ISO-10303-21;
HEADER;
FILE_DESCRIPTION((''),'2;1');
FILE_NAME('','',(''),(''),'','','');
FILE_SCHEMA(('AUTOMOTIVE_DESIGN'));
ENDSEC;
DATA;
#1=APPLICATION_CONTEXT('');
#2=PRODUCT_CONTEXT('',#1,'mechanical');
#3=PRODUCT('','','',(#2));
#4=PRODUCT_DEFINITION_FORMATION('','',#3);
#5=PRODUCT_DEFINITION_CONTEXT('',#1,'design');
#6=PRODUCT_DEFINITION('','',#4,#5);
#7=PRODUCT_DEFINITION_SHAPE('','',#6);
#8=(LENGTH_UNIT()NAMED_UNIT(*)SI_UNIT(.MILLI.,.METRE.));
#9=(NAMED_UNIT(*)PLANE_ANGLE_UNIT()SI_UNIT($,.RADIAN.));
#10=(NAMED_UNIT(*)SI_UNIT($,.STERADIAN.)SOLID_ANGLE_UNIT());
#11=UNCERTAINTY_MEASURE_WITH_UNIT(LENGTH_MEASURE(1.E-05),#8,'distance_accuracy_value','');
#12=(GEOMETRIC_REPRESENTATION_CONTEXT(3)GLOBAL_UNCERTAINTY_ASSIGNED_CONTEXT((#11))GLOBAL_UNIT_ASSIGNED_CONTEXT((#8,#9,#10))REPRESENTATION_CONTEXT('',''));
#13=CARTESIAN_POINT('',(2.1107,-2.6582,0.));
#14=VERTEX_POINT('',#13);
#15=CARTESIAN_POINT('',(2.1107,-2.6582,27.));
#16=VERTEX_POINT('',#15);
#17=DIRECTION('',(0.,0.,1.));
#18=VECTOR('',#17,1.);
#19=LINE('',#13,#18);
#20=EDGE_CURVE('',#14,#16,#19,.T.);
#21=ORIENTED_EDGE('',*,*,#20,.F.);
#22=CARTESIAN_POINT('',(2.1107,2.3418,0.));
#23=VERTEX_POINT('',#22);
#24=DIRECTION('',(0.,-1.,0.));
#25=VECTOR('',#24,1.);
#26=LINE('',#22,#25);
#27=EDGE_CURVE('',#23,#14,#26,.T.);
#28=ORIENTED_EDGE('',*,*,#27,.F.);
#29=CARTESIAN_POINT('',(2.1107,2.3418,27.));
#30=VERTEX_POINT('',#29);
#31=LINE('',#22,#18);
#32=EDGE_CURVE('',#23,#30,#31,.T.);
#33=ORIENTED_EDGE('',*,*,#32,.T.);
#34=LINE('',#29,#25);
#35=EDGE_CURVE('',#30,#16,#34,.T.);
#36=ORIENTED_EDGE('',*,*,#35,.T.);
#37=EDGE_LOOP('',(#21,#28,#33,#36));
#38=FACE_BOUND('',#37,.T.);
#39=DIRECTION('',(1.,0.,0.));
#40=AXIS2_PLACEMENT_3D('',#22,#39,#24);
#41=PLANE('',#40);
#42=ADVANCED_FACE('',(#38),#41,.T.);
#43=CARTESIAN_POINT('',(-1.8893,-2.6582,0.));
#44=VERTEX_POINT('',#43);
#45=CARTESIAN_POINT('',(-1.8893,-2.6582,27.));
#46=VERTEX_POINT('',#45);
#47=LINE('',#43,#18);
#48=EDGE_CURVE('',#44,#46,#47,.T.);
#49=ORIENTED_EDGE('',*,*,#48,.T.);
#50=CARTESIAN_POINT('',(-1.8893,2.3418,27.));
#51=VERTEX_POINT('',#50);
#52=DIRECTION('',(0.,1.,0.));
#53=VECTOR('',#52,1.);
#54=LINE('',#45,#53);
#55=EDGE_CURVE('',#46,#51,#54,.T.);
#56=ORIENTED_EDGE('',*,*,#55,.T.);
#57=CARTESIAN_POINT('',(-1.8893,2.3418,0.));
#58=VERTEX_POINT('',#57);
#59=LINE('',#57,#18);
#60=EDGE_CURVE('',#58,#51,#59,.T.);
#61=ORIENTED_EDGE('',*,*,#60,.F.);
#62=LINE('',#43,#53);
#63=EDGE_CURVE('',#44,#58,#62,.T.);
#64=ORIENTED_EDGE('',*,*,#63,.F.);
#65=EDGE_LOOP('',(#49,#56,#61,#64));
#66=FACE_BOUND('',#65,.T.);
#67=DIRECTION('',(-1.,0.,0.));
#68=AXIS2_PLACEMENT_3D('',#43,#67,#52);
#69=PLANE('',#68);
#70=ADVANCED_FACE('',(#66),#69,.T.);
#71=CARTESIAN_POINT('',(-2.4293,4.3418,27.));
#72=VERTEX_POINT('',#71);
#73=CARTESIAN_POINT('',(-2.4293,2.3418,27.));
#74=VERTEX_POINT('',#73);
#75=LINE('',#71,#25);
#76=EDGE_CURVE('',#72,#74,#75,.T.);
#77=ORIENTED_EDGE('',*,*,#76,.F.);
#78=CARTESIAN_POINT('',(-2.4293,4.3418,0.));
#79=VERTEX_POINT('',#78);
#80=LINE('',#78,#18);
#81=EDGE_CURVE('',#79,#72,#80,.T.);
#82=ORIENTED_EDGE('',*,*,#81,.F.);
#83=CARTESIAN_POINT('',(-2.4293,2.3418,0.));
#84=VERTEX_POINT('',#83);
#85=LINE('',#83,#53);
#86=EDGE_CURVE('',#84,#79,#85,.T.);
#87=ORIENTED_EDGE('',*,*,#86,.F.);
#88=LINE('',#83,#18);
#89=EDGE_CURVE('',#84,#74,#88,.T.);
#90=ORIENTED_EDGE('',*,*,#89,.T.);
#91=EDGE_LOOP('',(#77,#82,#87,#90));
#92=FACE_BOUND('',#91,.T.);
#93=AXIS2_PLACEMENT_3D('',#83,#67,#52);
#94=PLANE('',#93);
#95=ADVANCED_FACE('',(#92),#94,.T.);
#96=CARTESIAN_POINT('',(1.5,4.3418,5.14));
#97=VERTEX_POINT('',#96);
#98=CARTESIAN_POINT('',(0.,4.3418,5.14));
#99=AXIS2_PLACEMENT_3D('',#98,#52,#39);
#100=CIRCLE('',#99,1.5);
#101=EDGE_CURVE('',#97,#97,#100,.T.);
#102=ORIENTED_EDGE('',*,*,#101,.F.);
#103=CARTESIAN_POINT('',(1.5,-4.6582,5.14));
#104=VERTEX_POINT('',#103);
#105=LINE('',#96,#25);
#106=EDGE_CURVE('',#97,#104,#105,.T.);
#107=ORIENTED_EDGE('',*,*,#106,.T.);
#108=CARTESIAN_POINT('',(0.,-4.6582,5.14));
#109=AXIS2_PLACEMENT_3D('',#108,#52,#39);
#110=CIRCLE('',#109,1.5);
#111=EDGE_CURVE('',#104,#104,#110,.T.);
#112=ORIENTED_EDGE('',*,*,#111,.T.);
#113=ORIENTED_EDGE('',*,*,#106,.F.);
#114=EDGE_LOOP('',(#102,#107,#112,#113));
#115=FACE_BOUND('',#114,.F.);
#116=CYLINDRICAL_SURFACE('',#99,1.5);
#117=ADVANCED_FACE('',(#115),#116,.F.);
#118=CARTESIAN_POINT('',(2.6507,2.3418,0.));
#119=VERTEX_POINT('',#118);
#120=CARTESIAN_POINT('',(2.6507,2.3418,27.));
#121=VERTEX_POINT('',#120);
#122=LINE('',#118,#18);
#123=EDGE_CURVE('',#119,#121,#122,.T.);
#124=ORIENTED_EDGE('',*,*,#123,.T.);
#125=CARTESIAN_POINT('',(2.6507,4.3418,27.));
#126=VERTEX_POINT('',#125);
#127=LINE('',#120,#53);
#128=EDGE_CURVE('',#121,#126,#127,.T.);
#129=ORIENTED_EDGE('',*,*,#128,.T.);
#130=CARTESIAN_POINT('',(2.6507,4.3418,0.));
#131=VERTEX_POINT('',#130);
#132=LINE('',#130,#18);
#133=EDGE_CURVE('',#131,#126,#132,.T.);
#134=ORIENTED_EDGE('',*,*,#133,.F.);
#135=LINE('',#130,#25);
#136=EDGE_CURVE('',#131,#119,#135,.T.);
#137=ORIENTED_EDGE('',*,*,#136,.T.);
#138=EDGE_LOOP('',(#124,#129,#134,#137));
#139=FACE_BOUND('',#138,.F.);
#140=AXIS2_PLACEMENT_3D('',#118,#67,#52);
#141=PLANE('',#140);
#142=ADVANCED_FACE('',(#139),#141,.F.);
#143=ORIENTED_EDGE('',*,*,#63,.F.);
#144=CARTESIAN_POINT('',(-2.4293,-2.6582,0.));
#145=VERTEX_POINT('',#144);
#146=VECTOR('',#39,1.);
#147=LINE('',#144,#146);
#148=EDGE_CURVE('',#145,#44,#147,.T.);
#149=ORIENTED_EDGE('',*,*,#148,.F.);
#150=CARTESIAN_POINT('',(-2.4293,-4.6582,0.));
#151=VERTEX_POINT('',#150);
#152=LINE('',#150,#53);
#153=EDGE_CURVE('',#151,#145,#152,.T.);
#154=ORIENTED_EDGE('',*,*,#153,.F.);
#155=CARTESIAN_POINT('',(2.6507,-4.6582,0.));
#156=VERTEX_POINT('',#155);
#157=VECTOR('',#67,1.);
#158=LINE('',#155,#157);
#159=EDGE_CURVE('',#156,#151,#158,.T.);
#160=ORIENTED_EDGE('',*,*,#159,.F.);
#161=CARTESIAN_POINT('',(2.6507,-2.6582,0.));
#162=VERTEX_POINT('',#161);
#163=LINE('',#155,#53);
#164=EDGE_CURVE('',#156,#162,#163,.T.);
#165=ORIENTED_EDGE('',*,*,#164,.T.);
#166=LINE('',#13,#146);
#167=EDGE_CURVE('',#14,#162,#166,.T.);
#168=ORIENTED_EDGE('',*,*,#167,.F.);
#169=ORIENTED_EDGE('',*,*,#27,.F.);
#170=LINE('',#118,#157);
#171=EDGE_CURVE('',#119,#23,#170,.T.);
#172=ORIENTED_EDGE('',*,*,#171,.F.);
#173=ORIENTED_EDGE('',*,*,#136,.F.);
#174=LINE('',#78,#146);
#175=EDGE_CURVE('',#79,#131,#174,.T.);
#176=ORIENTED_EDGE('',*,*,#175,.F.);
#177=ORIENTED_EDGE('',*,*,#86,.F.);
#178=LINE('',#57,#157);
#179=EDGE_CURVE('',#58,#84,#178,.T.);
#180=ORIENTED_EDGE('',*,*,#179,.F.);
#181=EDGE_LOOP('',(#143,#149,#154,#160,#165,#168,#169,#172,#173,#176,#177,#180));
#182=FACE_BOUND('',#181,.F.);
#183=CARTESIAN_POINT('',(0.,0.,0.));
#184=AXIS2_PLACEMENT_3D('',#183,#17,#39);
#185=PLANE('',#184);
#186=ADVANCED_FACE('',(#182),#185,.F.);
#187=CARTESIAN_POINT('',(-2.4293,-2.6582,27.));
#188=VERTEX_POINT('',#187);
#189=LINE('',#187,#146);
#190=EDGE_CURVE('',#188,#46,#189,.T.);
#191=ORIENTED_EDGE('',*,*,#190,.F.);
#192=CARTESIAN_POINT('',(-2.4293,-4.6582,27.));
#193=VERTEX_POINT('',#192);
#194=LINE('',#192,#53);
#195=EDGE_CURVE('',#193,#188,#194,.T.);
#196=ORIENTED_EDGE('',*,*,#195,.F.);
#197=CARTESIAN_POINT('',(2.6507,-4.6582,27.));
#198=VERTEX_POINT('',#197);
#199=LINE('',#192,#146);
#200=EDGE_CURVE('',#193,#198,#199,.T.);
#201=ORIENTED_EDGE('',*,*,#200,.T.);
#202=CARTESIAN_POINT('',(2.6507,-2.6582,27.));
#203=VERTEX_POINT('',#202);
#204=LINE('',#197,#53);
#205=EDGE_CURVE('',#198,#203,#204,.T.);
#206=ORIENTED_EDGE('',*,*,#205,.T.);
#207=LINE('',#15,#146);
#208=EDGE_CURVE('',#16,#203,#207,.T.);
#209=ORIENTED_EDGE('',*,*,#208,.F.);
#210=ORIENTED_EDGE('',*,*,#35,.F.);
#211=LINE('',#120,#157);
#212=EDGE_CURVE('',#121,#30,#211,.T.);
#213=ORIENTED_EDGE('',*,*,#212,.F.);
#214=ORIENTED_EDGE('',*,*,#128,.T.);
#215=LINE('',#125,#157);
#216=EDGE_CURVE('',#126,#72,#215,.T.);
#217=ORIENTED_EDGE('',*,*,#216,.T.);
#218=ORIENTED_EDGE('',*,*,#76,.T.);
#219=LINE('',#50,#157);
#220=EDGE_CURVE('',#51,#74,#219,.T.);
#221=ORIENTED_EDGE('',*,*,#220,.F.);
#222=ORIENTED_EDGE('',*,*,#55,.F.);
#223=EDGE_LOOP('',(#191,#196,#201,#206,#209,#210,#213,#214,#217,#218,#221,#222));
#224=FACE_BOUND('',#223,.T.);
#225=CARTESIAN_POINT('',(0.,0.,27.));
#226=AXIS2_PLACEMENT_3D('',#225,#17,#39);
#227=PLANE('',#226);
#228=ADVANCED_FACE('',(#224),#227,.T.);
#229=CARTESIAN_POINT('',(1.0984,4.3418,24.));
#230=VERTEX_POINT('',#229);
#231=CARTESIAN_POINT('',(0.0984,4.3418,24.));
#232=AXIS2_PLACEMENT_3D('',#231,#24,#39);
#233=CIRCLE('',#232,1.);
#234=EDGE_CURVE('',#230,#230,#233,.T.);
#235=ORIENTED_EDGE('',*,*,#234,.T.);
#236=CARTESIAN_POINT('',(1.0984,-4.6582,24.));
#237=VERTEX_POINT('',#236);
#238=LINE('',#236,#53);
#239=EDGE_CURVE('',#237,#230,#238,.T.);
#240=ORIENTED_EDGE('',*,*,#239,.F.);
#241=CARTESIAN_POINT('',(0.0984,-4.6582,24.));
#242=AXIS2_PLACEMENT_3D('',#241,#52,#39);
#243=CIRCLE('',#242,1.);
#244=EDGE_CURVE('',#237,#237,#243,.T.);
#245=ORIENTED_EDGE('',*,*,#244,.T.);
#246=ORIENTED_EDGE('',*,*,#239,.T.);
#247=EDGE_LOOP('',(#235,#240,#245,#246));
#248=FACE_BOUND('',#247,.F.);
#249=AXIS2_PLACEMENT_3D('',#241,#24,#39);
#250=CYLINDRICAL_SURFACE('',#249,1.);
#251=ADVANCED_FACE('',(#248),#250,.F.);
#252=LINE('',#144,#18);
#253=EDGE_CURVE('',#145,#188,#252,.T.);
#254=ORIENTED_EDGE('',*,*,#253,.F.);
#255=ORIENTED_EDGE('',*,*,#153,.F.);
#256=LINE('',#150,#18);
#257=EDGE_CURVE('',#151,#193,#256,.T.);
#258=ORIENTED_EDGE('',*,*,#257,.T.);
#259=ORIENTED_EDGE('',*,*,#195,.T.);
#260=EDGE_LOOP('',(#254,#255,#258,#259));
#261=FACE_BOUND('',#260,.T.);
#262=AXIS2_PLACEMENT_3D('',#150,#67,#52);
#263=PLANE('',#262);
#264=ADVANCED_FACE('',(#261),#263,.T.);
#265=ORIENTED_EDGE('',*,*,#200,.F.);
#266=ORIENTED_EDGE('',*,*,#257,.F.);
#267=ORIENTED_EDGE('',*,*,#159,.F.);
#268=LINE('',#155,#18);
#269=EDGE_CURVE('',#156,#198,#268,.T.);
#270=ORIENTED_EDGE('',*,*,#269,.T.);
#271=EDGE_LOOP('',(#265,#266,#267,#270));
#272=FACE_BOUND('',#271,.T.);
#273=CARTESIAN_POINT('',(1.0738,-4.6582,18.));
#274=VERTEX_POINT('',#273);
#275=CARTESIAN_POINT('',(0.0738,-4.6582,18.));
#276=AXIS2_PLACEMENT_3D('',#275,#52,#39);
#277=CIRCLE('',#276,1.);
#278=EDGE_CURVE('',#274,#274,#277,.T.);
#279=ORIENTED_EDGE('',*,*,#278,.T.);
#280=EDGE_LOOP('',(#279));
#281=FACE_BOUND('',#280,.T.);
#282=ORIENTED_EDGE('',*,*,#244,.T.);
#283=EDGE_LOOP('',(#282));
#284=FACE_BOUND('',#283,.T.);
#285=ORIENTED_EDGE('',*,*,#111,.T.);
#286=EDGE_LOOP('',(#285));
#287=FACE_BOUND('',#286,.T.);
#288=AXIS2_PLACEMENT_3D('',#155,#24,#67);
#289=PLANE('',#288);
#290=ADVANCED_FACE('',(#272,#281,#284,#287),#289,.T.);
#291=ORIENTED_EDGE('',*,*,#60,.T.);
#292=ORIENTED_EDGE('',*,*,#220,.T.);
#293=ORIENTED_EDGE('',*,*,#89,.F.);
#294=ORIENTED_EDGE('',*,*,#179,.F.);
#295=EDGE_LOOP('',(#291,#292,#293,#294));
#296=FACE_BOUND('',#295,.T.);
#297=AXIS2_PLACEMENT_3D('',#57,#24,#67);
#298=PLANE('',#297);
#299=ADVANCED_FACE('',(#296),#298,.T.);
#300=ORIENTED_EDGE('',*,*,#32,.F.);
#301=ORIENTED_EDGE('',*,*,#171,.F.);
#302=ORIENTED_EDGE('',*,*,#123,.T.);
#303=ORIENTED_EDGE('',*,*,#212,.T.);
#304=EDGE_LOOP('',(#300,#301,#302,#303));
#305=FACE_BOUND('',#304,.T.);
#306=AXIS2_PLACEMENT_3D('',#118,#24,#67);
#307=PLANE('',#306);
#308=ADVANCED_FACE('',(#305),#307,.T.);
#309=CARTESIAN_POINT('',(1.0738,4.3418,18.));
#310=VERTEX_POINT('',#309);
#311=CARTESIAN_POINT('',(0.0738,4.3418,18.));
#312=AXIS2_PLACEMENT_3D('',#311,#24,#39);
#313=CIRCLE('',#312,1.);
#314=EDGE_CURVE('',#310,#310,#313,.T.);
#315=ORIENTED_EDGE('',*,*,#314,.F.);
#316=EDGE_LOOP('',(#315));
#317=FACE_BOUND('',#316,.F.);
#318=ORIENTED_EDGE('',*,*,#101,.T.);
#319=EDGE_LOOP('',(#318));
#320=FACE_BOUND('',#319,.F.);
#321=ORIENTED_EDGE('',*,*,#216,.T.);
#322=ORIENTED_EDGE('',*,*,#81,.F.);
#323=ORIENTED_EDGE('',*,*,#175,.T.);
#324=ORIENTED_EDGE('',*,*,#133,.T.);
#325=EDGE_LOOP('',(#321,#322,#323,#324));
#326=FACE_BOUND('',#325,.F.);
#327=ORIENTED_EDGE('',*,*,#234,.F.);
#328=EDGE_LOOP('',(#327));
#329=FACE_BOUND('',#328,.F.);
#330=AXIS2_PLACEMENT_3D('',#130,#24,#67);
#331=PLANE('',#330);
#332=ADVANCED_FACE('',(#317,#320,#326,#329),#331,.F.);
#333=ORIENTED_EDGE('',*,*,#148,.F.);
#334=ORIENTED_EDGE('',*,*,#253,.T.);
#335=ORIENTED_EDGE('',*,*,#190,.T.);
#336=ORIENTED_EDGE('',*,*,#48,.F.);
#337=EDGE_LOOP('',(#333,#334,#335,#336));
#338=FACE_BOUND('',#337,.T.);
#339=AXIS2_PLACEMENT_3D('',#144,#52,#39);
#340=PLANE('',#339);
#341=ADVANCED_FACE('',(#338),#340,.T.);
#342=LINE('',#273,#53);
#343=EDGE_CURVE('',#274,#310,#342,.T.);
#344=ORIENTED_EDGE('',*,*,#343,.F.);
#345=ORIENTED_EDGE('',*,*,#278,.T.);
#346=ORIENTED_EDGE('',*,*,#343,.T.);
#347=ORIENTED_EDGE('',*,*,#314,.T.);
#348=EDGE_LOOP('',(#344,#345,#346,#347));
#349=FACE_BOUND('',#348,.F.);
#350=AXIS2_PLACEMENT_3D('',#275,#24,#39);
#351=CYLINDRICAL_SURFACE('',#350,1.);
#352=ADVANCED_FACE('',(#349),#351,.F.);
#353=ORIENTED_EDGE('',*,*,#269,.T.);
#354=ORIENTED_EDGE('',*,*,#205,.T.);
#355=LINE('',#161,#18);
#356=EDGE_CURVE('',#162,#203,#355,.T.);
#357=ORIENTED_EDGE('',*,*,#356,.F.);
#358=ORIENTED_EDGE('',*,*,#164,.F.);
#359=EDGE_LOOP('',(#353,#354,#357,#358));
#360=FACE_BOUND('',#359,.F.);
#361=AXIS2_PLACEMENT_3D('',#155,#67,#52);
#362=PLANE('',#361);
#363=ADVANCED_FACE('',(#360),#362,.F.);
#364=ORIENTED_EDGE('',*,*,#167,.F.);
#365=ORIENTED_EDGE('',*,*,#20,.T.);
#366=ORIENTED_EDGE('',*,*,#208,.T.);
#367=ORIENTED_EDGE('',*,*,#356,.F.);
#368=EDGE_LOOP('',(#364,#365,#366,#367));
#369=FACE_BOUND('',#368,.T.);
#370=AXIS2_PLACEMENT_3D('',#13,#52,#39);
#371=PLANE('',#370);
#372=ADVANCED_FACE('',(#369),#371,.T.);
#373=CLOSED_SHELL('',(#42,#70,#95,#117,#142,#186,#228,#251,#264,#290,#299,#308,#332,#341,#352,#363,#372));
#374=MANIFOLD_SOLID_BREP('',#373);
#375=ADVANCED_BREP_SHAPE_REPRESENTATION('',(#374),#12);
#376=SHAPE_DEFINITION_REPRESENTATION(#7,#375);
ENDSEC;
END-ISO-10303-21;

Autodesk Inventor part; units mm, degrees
ref_plane "YZ Plane" through (0, 0, 0) normal (1, 0, 0) x (0, 1, 0)
ref_plane "XZ Plane" through (0, 0, 0) normal (0, 1, 0) x (-1, 0, 0)
ref_plane "XY Plane" through (0, 0, 0) normal (0, 0, 1) x (1, 0, 0)
sketch "Sketch1" plane through (0, 0, 0) normal (0, 0, 1) x (1, 0, 0)
  line L0 (2.1107, -2.6582) -> (2.6507, -2.6582)
  line L1 (2.6507, 2.3418) -> (2.1107, 2.3418)
  line L2 (-1.8893, -2.6582) -> (-1.8893, 2.3418)
  line L3 (-2.4293, -2.6582) -> (-1.8893, -2.6582)
  line L4 (-1.8893, 2.3418) -> (-2.4293, 2.3418)
  line L5 (2.6507, -4.6582) -> (2.6507, -2.6582)
  line L6 (2.6507, -4.6582) -> (1.9068, -4.6582)
  line L7 (0.1107, 4.3418) -> (-1.6853, 4.3418)
  line L8 (-2.4293, 2.3418) -> (-2.4293, 4.3418)
  line L9 (-1.6853, 4.3418) -> (-2.4293, 4.3418)
  line L10 (2.6507, -4.6582) -> (1.9068, -4.6582)
  line L11 (1.9068, -4.6582) -> (1.9068, 4.3418)
  line L12 (2.6507, 4.3418) -> (1.9068, 4.3418)
  line L13 (2.6507, 2.3418) -> (2.6507, 4.3418)
  line L14 (2.6507, 2.3418) -> (2.1107, 2.3418)
  line L15 (2.1107, 2.3418) -> (2.1107, -2.6582)
  line L16 (2.1107, -2.6582) -> (2.6507, -2.6582)
  line L17 (2.6507, -4.6582) -> (2.6507, -2.6582)
  line L18 (-1.6853, -4.6582) -> (-1.6853, 4.3418)
  line L19 (-1.6853, -4.6582) -> (-2.4293, -4.6582)
  line L20 (-2.4293, -4.6582) -> (-2.4293, -2.6582)
  line L21 (-2.4293, -2.6582) -> (-1.8893, -2.6582)
  line L22 (-1.8893, -2.6582) -> (-1.8893, 2.3418)
  line L23 (-1.8893, 2.3418) -> (-2.4293, 2.3418)
  line L24 (-2.4293, 2.3418) -> (-2.4293, 4.3418)
  line L25 (-1.6853, 4.3418) -> (-2.4293, 4.3418)
  line L26 (-1.6853, -4.6582) -> (-1.6853, 4.3418)
  line L27 (2.6507, -4.6582) -> (-2.4293, -4.6582)
  line L28 (2.1107, 2.3418) -> (2.1107, -2.6582)
  line L29 (-1.6853, -4.6582) -> (-2.4293, -4.6582)
  line L30 (2.6507, -4.6582) -> (-2.4293, -4.6582)
  line L31 (2.6507, -2.6582) -> (2.1107, -2.6582)
  line L32 (2.1107, -2.6582) -> (2.1107, 2.3418)
  line L33 (2.1107, 2.3418) -> (2.6507, 2.3418)
  line L34 (2.6507, 2.3418) -> (2.6507, 4.3418)
  line L35 (-2.4293, 4.3418) -> (2.6507, 4.3418)
  line L36 (-2.4293, 2.3418) -> (-2.4293, 4.3418)
  line L37 (-2.4293, 2.3418) -> (-1.8893, 2.3418)
  line L38 (-1.8893, 2.3418) -> (-1.8893, -2.6582)
  line L39 (-1.8893, -2.6582) -> (-2.4293, -2.6582)
  line L40 (-2.4293, -4.6582) -> (-2.4293, -2.6582)
  line L41 (2.6507, -4.6582) -> (-2.4293, -4.6582)
  line L42 (2.6507, -2.6582) -> (2.6507, -4.6582)
  line L43 (-1.3893, 4.3418) -> (1.6107, 4.3418)
  line L44 (1.9068, 4.3418) -> (0.1107, 4.3418)
  line L45 (0.1107, 4.3418) -> (-1.6853, 4.3418)
  line L46 (-1.6853, 4.3418) -> (-2.4293, 4.3418)
  line L47 (-2.4293, 4.3418) -> (2.6507, 4.3418)
  line L48 (2.6507, 4.3418) -> (1.9068, 4.3418)
  line L49 (2.6507, -4.6582) -> (-2.4293, -4.6582)
  line L50 (2.6507, -4.6582) -> (-2.4293, -4.6582)
  line L51 (2.6507, 2.3418) -> (2.6507, 4.3418)
  line L52 (2.1107, 2.3418) -> (2.6507, 2.3418)
  line L53 (2.6507, 2.3418) -> (2.6507, 4.3418)
  line L54 (2.6507, -2.6582) -> (2.1107, -2.6582)
  line L55 (2.6507, 2.3418) -> (2.6507, 4.3418)
  line L56 (2.6507, 2.3418) -> (2.6507, 4.3418)
  line L57 (2.6507, -2.6582) -> (2.6507, -4.6582)
  line L58 (2.6507, -4.6582) -> (2.6507, -2.6582)
  line L59 (2.6507, 2.3418) -> (2.1107, 2.3418)
  line L60 (2.1107, 2.3418) -> (2.6507, 2.3418)
  line L61 (2.1107, -2.6582) -> (2.6507, -2.6582)
  line L62 (2.6507, -2.6582) -> (2.1107, -2.6582)
  line L63 (2.1107, 2.3418) -> (2.1107, -2.6582)
  line L64 (2.1107, -2.6582) -> (2.1107, 2.3418)
  line L65 (-2.4293, -4.6582) -> (-2.4293, -2.6582)
  line L66 (2.6507, 4.3418) -> (1.9068, 4.3418)
  line L67 (-2.4293, 2.3418) -> (-2.4293, 4.3418)
  line L68 (-2.4293, -4.6582) -> (-2.4293, -2.6582)
  line L69 (-1.8893, -2.6582) -> (-2.4293, -2.6582)
  line L70 (-2.4293, 2.3418) -> (-1.8893, 2.3418)
  line L71 (-1.8893, -2.6582) -> (-1.8893, 2.3418)
  line L72 (-1.8893, 2.3418) -> (-1.8893, -2.6582)
  line L73 (-1.8893, -2.6582) -> (-2.4293, -2.6582)
  line L74 (-2.4293, -2.6582) -> (-1.8893, -2.6582)
  line L75 (-1.8893, 2.3418) -> (-2.4293, 2.3418)
  line L76 (-2.4293, 2.3418) -> (-1.8893, 2.3418)
  line L77 (-2.4293, -4.6582) -> (-2.4293, -2.6582)
  line L78 (-2.4293, -4.6582) -> (-2.4293, -2.6582)
  line L79 (-2.4293, 2.3418) -> (-2.4293, 4.3418)
  line L80 (-2.4293, 2.3418) -> (-2.4293, 4.3418)
  line L81 (-2.4293, 4.3418) -> (2.6507, 4.3418)
  line L82 (-1.8893, 2.3418) -> (-1.8893, -2.6582)
  line L83 (2.6507, -2.6582) -> (2.6507, -4.6582)
  line L84 (1.9068, -4.6582) -> (1.9068, 4.3418)
  line L85 (-1.3893, -3.6582) -> (1.6107, -3.6582)
  line L86 (-1.3893, -3.6582) -> (1.6107, -3.6582)
  line L87 (-1.3893, 4.3418) -> (1.6107, 4.3418)
  line L88 (-1.3893, -3.6582) -> (1.6107, -3.6582)
  line L89 (-1.3893, 4.3418) -> (1.6107, 4.3418)
  line L90 (2.1107, -2.6582) -> (2.1107, 2.3418)
  line L91 (1.9068, 4.3418) -> (0.1107, 4.3418)
  line L92 (2.6507, 2.8418) -> (-2.4293, 2.8418)
  line L93 (2.6507, 2.8418) -> (-2.4293, 2.8418)
  line L94 (-2.4293, 2.8418) -> (2.6507, 2.8418)
  line L95 (2.6507, 2.8418) -> (-2.4293, 2.8418)
  point P0 (0, 0)
  point P1 (0.1107, 2.8418)
  point P2 (0.1107, 2.8418)
  point P3 (0.1107, 2.8418)
  point P4 (-2.4293, 2.8418)
  point P5 (2.6507, 2.8418)
  point P6 (2.6507, 2.8418)
  point P7 (0.1107, 2.8418)
  point P8 (0.1107, 2.8418)
  point P9 (0.1107, 2.8418)
  point P10 (0.1107, 2.8418)
extrude "Extrusion1" add sketch "Sketch1" along normal blind 27
sketch "Sketch2" plane through (-2.4293, 4.3418, 0) normal (0, 1, 0) x (1, 0, 0)
  line L0 (0, -27) -> (5.08, -27) projected
  circle A0 centre (2.4293, -5.14) radius 1.5
  point P0 (2.4293, 0)
  point P1 (2.54, -27)
  point P2 (2.4293, 0)
  dimension "d2" = 21.86
  dimension "d3" = 3
extrude "Extrusion2" cut sketch "Sketch2" against normal blind 27
sketch "Sketch3" plane through (-2.4293, -4.6582, 0) normal (0, -1, 0) x (1, 0, 0)
  line L0 (5.08, 27) -> (0, 27) projected
  line L1 (2.54, 27) -> (2.4293, 0)
  circle A0 centre (2.5277, 24) radius 1
  circle A1 centre (2.5031, 18) radius 1
  dimension "d6" = 2
  dimension "d7" = 2
  dimension "d8" = 3
  dimension "d9" = 9
  dimension "d10" = 5.08
extrude "Extrusion3" cut sketch "Sketch3" against normal blind 27
properties part number "UpperGripperfingerpart_3DPrint"
